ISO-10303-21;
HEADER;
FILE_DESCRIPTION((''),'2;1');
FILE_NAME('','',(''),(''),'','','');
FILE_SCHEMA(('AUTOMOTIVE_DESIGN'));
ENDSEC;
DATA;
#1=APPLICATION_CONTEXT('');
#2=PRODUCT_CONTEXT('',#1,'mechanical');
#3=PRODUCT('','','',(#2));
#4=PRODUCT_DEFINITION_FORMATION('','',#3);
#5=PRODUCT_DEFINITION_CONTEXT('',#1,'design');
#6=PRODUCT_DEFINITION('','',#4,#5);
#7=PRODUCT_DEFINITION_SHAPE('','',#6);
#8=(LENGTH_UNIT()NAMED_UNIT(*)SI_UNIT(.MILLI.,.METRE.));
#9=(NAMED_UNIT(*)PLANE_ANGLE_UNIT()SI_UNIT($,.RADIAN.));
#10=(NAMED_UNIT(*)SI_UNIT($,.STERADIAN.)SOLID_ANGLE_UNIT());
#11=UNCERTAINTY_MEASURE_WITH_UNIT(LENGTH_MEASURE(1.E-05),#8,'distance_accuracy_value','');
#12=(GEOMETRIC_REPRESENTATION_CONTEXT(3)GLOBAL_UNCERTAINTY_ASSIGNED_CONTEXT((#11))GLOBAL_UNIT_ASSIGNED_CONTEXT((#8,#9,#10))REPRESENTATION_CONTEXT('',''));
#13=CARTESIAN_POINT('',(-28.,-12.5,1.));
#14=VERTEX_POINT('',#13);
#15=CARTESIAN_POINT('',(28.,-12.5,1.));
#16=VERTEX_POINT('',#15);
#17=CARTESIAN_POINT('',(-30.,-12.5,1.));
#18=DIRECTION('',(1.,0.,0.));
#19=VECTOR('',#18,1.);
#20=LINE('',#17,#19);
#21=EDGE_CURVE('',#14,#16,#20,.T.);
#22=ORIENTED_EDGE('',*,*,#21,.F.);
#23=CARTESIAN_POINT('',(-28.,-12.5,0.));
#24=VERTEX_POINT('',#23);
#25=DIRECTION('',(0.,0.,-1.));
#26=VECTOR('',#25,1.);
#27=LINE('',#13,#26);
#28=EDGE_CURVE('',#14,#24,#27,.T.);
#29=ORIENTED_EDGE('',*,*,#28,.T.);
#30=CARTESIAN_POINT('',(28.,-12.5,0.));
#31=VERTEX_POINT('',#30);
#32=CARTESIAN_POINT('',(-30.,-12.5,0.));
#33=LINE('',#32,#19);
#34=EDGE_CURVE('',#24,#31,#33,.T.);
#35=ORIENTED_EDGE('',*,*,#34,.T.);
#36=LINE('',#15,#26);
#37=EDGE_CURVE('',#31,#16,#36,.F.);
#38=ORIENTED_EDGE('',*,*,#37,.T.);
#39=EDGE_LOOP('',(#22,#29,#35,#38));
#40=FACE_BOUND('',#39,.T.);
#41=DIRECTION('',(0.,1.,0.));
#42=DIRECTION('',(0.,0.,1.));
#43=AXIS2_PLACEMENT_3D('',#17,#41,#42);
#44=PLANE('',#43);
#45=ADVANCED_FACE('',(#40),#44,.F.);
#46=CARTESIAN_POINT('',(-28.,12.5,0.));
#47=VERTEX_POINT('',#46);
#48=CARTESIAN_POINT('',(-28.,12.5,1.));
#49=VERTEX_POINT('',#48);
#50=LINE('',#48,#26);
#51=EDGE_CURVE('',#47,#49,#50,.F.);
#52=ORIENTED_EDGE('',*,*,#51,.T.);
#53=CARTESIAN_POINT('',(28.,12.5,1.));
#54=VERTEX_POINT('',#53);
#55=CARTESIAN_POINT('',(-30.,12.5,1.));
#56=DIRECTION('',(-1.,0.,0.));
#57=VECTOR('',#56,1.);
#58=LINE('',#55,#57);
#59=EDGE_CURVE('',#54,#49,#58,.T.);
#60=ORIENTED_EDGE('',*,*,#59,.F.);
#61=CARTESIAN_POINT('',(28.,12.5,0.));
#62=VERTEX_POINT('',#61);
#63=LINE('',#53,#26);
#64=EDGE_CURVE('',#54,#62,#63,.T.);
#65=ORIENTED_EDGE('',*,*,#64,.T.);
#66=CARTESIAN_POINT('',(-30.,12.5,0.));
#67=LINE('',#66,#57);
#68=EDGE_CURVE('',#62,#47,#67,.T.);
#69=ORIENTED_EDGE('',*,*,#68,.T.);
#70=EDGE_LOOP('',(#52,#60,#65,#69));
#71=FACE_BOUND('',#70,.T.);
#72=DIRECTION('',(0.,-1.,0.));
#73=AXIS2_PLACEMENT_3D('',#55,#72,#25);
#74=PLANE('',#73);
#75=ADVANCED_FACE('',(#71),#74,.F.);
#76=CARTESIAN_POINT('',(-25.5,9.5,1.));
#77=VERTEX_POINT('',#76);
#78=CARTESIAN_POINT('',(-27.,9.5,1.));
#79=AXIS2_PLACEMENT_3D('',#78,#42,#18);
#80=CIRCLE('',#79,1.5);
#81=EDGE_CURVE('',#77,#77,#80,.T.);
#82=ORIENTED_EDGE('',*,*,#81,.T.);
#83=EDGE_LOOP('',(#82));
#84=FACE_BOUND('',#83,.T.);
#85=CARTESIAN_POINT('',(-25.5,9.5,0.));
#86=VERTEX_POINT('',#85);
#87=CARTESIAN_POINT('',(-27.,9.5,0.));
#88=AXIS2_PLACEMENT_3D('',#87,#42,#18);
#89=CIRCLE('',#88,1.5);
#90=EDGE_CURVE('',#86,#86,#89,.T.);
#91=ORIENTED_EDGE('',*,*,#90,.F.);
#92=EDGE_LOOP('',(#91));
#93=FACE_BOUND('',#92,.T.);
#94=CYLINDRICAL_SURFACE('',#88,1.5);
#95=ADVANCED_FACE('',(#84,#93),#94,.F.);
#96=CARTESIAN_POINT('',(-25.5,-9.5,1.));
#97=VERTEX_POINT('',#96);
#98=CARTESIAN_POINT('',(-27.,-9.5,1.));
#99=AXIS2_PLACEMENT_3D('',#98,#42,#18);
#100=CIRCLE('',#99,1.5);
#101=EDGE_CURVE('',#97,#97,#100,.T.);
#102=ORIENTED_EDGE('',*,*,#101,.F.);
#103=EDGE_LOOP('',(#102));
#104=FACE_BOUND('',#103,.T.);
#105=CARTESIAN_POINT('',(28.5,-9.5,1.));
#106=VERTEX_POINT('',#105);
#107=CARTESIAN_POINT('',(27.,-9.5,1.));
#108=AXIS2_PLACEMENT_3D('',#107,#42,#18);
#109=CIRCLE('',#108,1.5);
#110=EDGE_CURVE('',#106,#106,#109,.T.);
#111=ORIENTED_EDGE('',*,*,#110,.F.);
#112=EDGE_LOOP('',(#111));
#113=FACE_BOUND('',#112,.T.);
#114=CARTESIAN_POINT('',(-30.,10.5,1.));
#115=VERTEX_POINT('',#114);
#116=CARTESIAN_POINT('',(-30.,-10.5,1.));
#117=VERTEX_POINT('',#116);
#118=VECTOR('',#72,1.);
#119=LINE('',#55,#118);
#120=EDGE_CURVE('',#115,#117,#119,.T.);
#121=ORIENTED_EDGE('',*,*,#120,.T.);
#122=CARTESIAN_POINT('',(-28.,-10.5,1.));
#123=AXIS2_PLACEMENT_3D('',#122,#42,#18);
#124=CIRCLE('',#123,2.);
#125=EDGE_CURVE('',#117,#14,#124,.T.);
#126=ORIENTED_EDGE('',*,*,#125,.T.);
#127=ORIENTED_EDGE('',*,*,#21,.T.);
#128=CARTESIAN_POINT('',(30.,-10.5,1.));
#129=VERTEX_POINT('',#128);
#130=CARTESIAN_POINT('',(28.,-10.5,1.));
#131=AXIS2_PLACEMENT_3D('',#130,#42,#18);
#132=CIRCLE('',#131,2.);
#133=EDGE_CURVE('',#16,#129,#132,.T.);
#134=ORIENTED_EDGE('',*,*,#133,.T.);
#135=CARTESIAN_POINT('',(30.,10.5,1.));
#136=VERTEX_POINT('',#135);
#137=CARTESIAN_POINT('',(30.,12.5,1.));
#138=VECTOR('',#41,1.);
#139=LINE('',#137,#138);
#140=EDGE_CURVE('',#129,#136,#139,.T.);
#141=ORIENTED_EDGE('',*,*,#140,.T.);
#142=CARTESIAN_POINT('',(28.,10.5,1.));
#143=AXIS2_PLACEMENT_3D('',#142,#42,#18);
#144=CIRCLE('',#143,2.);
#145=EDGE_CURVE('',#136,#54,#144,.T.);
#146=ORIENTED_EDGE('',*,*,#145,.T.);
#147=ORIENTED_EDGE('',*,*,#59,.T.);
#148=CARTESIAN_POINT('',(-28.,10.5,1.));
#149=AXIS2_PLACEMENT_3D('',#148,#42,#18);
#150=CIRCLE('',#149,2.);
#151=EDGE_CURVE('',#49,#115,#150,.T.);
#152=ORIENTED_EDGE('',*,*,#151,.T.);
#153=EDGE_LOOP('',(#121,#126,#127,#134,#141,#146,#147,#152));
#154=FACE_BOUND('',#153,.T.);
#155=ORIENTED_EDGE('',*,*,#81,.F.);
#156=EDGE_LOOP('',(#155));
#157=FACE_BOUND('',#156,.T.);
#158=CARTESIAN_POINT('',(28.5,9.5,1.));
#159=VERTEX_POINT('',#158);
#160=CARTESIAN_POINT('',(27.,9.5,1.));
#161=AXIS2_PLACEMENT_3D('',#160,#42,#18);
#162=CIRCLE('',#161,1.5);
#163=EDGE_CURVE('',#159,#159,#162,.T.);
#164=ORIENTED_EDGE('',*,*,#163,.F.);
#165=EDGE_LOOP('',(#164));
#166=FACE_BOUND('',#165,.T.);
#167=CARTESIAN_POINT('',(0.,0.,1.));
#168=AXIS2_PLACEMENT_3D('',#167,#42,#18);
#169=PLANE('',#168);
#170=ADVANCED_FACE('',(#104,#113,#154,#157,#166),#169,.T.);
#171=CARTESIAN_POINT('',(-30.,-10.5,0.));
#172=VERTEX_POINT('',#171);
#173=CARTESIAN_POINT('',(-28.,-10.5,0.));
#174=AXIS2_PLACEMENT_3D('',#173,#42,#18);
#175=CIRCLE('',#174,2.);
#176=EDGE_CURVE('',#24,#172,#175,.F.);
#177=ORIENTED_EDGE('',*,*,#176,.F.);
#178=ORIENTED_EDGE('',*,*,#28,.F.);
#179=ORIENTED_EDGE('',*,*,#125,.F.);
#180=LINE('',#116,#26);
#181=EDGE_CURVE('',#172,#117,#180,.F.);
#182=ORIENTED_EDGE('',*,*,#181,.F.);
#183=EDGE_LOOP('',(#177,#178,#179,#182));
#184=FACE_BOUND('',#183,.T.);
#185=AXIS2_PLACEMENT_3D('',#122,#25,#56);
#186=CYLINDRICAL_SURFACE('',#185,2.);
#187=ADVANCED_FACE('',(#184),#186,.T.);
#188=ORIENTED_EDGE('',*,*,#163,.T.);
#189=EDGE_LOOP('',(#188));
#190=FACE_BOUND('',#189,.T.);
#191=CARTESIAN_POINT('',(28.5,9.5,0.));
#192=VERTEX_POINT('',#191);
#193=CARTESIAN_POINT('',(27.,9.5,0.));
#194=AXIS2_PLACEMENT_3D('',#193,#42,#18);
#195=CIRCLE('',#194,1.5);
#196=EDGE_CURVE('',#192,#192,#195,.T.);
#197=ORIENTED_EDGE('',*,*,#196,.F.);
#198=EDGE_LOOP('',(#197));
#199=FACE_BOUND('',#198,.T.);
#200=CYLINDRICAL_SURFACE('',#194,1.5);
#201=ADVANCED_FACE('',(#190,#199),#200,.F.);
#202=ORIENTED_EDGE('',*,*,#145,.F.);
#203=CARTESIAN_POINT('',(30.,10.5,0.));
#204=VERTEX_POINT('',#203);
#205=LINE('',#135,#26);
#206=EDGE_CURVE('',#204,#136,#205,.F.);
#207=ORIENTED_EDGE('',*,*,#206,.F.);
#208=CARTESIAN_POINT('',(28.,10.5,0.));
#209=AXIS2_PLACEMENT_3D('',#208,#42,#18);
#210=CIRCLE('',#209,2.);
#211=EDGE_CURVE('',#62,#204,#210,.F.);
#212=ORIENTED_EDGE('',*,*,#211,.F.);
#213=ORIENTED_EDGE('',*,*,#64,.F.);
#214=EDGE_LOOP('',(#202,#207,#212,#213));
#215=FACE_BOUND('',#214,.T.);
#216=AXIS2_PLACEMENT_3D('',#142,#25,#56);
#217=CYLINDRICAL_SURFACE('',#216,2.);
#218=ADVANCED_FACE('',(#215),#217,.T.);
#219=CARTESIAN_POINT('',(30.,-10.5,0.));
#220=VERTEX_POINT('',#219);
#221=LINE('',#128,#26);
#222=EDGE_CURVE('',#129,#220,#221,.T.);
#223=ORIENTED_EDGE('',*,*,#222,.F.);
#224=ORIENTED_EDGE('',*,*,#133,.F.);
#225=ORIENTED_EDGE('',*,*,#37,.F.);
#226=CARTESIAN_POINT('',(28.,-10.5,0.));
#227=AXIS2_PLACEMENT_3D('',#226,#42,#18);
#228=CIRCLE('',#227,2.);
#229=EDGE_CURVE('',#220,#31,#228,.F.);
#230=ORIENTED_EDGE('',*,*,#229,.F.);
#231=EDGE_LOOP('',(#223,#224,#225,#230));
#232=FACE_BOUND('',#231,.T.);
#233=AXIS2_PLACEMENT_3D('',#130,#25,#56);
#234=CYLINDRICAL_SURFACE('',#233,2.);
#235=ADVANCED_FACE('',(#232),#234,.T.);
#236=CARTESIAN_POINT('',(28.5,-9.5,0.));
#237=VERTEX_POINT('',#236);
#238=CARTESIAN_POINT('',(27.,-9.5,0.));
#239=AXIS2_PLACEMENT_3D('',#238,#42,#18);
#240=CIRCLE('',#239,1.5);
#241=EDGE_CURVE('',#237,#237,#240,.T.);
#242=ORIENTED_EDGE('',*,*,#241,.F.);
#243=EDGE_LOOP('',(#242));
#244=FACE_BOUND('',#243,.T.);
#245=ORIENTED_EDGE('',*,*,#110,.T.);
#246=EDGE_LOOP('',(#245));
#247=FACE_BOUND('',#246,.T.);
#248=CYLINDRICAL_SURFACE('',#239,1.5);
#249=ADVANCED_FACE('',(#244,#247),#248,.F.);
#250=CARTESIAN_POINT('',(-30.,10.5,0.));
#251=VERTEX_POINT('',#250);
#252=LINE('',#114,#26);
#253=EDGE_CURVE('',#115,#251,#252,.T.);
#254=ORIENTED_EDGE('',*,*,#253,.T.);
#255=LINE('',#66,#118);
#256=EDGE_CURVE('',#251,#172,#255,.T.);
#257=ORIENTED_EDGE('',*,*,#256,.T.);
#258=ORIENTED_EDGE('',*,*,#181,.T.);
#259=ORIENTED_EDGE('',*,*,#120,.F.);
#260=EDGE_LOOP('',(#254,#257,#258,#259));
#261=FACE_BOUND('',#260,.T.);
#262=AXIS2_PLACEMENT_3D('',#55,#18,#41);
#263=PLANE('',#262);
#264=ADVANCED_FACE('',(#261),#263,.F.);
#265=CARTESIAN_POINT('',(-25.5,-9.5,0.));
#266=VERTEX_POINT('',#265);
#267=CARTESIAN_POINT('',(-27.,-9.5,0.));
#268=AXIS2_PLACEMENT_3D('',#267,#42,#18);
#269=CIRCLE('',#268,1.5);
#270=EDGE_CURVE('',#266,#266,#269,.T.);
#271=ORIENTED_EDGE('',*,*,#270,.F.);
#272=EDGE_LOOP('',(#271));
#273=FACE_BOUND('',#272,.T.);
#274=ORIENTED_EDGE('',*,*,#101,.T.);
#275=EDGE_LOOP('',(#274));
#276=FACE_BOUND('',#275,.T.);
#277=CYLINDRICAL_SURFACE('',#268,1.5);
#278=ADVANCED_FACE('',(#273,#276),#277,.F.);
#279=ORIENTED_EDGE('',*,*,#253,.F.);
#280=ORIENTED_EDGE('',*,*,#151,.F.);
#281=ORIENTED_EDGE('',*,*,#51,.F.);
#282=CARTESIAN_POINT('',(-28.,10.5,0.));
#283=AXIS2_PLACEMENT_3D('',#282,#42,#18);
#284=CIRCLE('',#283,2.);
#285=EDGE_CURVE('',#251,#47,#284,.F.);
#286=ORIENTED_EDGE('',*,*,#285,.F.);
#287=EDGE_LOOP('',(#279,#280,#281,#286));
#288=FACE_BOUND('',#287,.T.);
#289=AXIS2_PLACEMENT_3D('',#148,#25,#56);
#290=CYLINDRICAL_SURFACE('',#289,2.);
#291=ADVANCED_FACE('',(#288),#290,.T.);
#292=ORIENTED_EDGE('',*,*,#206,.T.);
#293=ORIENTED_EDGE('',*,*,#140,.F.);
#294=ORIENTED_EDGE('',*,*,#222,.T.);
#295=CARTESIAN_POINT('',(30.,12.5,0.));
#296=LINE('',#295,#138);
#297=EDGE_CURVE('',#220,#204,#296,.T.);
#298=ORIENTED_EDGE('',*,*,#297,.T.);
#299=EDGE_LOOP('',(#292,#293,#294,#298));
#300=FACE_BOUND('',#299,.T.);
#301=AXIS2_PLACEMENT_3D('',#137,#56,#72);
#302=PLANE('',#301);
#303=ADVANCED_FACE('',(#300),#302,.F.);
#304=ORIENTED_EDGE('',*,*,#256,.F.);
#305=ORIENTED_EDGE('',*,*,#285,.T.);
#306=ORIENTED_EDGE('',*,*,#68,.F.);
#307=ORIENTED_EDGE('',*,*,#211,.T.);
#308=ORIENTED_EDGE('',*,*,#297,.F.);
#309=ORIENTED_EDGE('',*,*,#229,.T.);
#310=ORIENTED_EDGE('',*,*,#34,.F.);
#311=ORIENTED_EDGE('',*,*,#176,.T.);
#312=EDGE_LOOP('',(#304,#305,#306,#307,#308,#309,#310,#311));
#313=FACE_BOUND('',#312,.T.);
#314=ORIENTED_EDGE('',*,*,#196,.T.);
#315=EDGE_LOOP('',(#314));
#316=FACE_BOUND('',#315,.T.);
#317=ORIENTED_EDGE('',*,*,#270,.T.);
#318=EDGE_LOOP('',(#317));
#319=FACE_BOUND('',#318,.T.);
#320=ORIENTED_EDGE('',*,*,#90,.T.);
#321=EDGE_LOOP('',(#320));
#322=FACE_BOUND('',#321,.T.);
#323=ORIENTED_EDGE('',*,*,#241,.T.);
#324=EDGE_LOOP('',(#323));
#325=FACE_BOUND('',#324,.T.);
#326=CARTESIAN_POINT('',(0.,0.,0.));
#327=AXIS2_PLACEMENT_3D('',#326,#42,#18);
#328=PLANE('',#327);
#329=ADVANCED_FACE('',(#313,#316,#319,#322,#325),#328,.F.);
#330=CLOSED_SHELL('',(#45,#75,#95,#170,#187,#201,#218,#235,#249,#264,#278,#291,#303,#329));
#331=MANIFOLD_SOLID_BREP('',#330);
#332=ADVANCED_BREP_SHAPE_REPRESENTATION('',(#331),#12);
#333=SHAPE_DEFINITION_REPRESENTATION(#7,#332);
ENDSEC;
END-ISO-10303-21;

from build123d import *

# Parameters (mm, degrees)
SKETCH_1_W          = 60
SKETCH_1_H          = 25
EXTRUDE_1_DEPTH     = 1
SKETCH_2_R          = 1.5
CUT_EXTRUDE_1_DEPTH = 2
FILLET_1_R          = 2


with BuildPart() as part:
    # ｽｹｯﾁ1 → ﾎﾞｽ - 押し出し1 (new body)
    with BuildSketch(Plane.XY):
        Rectangle(SKETCH_1_W, SKETCH_1_H)
    extrude(amount=EXTRUDE_1_DEPTH)

    # ｽｹｯﾁ2 → ｶｯﾄ - 押し出し1 (cut, through all)
    with BuildSketch(Plane.XY.offset(1)):
        with Locations((-27, 9.5)):
            Circle(SKETCH_2_R)
        with Locations((27, 9.5)):
            Circle(SKETCH_2_R)
        with Locations((-27, -9.5)):
            Circle(SKETCH_2_R)
        with Locations((27, -9.5)):
            Circle(SKETCH_2_R)
    extrude(amount=-CUT_EXTRUDE_1_DEPTH, mode=Mode.SUBTRACT)

    # ﾌｨﾚｯﾄ1
    fillet_1_edges = [part.edges().sort_by_distance(p)[0] for p in [
        (-30, 12.5, 0.5),
        (30, 12.5, 0.5),
        (30, -12.5, 0.5),
        (-30, -12.5, 0.5),
    ]]
    fillet(fillet_1_edges, radius=FILLET_1_R)


solid = part.part
